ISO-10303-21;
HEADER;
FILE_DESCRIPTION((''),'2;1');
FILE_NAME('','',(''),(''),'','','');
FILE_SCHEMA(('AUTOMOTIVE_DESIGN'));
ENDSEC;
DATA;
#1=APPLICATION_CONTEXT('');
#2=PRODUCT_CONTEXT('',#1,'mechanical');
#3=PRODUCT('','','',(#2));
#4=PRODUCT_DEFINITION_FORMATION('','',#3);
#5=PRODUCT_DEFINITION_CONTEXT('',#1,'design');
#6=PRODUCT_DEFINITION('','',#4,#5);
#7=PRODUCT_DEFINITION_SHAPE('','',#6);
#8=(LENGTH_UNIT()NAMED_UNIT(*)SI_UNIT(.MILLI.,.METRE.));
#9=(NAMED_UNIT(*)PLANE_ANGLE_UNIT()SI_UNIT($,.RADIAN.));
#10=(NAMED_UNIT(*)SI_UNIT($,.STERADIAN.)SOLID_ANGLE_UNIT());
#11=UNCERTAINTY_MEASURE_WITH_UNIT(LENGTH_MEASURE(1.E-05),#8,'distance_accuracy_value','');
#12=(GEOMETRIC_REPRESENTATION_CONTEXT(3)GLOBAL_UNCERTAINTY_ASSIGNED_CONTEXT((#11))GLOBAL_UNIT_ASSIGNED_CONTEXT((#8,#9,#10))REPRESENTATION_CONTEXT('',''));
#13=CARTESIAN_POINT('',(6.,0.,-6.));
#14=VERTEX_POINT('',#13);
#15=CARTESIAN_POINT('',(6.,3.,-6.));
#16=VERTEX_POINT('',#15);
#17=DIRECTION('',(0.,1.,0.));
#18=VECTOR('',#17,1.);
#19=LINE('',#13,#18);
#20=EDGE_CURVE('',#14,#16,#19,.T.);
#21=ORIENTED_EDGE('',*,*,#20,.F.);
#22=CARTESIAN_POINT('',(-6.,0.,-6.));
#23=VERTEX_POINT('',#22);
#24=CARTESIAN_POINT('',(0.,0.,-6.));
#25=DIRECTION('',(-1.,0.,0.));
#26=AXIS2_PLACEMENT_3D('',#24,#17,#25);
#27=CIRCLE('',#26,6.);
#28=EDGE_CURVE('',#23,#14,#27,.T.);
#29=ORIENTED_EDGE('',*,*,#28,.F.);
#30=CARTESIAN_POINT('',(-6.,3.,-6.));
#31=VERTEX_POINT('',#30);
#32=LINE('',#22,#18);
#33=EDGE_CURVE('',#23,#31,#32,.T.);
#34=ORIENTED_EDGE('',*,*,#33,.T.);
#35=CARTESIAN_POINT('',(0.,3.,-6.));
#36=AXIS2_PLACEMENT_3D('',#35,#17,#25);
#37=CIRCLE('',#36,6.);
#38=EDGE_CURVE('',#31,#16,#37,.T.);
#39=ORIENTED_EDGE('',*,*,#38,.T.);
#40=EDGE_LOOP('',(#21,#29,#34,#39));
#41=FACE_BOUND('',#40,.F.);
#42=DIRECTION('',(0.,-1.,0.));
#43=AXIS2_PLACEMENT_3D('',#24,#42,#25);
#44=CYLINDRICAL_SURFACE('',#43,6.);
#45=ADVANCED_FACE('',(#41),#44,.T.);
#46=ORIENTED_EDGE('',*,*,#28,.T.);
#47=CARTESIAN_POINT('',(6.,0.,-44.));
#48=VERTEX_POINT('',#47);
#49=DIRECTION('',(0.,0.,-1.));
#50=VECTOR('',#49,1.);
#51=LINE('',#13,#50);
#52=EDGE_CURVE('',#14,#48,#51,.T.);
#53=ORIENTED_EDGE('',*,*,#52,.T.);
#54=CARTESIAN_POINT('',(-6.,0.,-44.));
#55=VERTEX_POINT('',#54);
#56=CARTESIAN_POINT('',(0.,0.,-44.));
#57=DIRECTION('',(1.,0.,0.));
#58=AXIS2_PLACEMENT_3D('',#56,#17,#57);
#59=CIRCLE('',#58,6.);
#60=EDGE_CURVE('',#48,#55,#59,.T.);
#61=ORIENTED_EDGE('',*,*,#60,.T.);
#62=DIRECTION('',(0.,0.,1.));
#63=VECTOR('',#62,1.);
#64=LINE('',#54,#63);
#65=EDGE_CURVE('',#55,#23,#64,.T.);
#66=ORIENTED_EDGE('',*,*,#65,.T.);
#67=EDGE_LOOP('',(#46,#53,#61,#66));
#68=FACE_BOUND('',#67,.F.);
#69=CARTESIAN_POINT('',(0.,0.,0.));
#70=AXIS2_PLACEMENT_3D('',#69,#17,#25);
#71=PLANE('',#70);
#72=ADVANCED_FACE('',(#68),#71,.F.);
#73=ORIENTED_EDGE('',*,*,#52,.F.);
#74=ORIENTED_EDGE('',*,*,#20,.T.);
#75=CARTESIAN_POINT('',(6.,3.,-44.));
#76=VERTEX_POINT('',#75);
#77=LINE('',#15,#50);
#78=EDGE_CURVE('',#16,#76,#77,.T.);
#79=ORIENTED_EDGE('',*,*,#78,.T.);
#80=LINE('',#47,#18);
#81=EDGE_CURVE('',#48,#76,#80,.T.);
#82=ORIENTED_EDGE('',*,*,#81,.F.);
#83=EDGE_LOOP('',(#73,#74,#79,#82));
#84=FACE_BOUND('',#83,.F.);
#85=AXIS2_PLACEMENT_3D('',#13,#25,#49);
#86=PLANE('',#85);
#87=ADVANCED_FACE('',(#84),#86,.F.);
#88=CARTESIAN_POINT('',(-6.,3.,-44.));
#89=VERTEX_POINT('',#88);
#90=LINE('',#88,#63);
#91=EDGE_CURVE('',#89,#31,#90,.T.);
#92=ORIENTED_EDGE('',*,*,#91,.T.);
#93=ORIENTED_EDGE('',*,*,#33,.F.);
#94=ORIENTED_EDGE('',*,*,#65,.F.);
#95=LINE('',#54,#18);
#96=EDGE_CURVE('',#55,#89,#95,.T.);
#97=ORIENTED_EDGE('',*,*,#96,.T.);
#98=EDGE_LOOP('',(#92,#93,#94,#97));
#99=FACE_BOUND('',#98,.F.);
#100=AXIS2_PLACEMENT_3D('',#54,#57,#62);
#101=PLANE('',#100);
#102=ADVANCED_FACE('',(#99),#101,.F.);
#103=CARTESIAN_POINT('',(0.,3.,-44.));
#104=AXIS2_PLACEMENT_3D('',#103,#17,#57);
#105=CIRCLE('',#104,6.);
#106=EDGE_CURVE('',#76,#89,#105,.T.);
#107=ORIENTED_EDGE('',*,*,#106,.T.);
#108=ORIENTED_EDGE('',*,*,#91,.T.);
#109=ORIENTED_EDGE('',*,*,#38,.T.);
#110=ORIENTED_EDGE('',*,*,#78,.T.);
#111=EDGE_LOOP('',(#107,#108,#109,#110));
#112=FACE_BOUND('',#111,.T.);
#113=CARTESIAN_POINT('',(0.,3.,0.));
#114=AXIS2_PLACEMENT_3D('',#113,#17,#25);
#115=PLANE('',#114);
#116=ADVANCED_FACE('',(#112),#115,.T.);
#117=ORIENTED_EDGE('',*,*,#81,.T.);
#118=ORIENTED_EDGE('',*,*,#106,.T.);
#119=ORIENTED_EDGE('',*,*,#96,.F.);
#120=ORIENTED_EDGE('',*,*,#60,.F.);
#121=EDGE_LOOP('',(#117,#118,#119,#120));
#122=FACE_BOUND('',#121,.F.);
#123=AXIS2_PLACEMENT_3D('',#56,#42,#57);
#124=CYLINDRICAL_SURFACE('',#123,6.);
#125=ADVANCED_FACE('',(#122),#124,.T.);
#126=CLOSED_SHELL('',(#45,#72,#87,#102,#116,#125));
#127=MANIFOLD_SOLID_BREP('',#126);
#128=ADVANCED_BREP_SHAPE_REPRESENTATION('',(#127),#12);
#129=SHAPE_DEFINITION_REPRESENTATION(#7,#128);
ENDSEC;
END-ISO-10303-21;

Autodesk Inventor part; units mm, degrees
ref_plane "YZ Plane" through (0, 0, 0) normal (1, 0, 0) x (0, 1, 0)
ref_plane "XZ Plane" through (0, 0, 0) normal (0, 1, 0) x (-1, 0, 0)
ref_plane "XY Plane" through (0, 0, 0) normal (0, 0, 1) x (1, 0, 0)
sketch "草图1" plane through (0, 0, 0) normal (0, 1, 0) x (-1, 0, 0)
  line L0 (0, 0) -> (0, -50) construction
  line L1 (-6, -6) -> (-6, -44)
  line L2 (6, -44) -> (6, -6)
  arc A0 (6, -6) -> (-6, -6) centre (0, -6) ccw
  arc A1 (-6, -44) -> (6, -44) centre (0, -44) ccw
  point P0 (0, -25)
  dimension "d0" = 50
  dimension "d1" = 6
extrude "拉伸1" add sketch "草图1" along normal blind 3
properties part number "连杆1"
